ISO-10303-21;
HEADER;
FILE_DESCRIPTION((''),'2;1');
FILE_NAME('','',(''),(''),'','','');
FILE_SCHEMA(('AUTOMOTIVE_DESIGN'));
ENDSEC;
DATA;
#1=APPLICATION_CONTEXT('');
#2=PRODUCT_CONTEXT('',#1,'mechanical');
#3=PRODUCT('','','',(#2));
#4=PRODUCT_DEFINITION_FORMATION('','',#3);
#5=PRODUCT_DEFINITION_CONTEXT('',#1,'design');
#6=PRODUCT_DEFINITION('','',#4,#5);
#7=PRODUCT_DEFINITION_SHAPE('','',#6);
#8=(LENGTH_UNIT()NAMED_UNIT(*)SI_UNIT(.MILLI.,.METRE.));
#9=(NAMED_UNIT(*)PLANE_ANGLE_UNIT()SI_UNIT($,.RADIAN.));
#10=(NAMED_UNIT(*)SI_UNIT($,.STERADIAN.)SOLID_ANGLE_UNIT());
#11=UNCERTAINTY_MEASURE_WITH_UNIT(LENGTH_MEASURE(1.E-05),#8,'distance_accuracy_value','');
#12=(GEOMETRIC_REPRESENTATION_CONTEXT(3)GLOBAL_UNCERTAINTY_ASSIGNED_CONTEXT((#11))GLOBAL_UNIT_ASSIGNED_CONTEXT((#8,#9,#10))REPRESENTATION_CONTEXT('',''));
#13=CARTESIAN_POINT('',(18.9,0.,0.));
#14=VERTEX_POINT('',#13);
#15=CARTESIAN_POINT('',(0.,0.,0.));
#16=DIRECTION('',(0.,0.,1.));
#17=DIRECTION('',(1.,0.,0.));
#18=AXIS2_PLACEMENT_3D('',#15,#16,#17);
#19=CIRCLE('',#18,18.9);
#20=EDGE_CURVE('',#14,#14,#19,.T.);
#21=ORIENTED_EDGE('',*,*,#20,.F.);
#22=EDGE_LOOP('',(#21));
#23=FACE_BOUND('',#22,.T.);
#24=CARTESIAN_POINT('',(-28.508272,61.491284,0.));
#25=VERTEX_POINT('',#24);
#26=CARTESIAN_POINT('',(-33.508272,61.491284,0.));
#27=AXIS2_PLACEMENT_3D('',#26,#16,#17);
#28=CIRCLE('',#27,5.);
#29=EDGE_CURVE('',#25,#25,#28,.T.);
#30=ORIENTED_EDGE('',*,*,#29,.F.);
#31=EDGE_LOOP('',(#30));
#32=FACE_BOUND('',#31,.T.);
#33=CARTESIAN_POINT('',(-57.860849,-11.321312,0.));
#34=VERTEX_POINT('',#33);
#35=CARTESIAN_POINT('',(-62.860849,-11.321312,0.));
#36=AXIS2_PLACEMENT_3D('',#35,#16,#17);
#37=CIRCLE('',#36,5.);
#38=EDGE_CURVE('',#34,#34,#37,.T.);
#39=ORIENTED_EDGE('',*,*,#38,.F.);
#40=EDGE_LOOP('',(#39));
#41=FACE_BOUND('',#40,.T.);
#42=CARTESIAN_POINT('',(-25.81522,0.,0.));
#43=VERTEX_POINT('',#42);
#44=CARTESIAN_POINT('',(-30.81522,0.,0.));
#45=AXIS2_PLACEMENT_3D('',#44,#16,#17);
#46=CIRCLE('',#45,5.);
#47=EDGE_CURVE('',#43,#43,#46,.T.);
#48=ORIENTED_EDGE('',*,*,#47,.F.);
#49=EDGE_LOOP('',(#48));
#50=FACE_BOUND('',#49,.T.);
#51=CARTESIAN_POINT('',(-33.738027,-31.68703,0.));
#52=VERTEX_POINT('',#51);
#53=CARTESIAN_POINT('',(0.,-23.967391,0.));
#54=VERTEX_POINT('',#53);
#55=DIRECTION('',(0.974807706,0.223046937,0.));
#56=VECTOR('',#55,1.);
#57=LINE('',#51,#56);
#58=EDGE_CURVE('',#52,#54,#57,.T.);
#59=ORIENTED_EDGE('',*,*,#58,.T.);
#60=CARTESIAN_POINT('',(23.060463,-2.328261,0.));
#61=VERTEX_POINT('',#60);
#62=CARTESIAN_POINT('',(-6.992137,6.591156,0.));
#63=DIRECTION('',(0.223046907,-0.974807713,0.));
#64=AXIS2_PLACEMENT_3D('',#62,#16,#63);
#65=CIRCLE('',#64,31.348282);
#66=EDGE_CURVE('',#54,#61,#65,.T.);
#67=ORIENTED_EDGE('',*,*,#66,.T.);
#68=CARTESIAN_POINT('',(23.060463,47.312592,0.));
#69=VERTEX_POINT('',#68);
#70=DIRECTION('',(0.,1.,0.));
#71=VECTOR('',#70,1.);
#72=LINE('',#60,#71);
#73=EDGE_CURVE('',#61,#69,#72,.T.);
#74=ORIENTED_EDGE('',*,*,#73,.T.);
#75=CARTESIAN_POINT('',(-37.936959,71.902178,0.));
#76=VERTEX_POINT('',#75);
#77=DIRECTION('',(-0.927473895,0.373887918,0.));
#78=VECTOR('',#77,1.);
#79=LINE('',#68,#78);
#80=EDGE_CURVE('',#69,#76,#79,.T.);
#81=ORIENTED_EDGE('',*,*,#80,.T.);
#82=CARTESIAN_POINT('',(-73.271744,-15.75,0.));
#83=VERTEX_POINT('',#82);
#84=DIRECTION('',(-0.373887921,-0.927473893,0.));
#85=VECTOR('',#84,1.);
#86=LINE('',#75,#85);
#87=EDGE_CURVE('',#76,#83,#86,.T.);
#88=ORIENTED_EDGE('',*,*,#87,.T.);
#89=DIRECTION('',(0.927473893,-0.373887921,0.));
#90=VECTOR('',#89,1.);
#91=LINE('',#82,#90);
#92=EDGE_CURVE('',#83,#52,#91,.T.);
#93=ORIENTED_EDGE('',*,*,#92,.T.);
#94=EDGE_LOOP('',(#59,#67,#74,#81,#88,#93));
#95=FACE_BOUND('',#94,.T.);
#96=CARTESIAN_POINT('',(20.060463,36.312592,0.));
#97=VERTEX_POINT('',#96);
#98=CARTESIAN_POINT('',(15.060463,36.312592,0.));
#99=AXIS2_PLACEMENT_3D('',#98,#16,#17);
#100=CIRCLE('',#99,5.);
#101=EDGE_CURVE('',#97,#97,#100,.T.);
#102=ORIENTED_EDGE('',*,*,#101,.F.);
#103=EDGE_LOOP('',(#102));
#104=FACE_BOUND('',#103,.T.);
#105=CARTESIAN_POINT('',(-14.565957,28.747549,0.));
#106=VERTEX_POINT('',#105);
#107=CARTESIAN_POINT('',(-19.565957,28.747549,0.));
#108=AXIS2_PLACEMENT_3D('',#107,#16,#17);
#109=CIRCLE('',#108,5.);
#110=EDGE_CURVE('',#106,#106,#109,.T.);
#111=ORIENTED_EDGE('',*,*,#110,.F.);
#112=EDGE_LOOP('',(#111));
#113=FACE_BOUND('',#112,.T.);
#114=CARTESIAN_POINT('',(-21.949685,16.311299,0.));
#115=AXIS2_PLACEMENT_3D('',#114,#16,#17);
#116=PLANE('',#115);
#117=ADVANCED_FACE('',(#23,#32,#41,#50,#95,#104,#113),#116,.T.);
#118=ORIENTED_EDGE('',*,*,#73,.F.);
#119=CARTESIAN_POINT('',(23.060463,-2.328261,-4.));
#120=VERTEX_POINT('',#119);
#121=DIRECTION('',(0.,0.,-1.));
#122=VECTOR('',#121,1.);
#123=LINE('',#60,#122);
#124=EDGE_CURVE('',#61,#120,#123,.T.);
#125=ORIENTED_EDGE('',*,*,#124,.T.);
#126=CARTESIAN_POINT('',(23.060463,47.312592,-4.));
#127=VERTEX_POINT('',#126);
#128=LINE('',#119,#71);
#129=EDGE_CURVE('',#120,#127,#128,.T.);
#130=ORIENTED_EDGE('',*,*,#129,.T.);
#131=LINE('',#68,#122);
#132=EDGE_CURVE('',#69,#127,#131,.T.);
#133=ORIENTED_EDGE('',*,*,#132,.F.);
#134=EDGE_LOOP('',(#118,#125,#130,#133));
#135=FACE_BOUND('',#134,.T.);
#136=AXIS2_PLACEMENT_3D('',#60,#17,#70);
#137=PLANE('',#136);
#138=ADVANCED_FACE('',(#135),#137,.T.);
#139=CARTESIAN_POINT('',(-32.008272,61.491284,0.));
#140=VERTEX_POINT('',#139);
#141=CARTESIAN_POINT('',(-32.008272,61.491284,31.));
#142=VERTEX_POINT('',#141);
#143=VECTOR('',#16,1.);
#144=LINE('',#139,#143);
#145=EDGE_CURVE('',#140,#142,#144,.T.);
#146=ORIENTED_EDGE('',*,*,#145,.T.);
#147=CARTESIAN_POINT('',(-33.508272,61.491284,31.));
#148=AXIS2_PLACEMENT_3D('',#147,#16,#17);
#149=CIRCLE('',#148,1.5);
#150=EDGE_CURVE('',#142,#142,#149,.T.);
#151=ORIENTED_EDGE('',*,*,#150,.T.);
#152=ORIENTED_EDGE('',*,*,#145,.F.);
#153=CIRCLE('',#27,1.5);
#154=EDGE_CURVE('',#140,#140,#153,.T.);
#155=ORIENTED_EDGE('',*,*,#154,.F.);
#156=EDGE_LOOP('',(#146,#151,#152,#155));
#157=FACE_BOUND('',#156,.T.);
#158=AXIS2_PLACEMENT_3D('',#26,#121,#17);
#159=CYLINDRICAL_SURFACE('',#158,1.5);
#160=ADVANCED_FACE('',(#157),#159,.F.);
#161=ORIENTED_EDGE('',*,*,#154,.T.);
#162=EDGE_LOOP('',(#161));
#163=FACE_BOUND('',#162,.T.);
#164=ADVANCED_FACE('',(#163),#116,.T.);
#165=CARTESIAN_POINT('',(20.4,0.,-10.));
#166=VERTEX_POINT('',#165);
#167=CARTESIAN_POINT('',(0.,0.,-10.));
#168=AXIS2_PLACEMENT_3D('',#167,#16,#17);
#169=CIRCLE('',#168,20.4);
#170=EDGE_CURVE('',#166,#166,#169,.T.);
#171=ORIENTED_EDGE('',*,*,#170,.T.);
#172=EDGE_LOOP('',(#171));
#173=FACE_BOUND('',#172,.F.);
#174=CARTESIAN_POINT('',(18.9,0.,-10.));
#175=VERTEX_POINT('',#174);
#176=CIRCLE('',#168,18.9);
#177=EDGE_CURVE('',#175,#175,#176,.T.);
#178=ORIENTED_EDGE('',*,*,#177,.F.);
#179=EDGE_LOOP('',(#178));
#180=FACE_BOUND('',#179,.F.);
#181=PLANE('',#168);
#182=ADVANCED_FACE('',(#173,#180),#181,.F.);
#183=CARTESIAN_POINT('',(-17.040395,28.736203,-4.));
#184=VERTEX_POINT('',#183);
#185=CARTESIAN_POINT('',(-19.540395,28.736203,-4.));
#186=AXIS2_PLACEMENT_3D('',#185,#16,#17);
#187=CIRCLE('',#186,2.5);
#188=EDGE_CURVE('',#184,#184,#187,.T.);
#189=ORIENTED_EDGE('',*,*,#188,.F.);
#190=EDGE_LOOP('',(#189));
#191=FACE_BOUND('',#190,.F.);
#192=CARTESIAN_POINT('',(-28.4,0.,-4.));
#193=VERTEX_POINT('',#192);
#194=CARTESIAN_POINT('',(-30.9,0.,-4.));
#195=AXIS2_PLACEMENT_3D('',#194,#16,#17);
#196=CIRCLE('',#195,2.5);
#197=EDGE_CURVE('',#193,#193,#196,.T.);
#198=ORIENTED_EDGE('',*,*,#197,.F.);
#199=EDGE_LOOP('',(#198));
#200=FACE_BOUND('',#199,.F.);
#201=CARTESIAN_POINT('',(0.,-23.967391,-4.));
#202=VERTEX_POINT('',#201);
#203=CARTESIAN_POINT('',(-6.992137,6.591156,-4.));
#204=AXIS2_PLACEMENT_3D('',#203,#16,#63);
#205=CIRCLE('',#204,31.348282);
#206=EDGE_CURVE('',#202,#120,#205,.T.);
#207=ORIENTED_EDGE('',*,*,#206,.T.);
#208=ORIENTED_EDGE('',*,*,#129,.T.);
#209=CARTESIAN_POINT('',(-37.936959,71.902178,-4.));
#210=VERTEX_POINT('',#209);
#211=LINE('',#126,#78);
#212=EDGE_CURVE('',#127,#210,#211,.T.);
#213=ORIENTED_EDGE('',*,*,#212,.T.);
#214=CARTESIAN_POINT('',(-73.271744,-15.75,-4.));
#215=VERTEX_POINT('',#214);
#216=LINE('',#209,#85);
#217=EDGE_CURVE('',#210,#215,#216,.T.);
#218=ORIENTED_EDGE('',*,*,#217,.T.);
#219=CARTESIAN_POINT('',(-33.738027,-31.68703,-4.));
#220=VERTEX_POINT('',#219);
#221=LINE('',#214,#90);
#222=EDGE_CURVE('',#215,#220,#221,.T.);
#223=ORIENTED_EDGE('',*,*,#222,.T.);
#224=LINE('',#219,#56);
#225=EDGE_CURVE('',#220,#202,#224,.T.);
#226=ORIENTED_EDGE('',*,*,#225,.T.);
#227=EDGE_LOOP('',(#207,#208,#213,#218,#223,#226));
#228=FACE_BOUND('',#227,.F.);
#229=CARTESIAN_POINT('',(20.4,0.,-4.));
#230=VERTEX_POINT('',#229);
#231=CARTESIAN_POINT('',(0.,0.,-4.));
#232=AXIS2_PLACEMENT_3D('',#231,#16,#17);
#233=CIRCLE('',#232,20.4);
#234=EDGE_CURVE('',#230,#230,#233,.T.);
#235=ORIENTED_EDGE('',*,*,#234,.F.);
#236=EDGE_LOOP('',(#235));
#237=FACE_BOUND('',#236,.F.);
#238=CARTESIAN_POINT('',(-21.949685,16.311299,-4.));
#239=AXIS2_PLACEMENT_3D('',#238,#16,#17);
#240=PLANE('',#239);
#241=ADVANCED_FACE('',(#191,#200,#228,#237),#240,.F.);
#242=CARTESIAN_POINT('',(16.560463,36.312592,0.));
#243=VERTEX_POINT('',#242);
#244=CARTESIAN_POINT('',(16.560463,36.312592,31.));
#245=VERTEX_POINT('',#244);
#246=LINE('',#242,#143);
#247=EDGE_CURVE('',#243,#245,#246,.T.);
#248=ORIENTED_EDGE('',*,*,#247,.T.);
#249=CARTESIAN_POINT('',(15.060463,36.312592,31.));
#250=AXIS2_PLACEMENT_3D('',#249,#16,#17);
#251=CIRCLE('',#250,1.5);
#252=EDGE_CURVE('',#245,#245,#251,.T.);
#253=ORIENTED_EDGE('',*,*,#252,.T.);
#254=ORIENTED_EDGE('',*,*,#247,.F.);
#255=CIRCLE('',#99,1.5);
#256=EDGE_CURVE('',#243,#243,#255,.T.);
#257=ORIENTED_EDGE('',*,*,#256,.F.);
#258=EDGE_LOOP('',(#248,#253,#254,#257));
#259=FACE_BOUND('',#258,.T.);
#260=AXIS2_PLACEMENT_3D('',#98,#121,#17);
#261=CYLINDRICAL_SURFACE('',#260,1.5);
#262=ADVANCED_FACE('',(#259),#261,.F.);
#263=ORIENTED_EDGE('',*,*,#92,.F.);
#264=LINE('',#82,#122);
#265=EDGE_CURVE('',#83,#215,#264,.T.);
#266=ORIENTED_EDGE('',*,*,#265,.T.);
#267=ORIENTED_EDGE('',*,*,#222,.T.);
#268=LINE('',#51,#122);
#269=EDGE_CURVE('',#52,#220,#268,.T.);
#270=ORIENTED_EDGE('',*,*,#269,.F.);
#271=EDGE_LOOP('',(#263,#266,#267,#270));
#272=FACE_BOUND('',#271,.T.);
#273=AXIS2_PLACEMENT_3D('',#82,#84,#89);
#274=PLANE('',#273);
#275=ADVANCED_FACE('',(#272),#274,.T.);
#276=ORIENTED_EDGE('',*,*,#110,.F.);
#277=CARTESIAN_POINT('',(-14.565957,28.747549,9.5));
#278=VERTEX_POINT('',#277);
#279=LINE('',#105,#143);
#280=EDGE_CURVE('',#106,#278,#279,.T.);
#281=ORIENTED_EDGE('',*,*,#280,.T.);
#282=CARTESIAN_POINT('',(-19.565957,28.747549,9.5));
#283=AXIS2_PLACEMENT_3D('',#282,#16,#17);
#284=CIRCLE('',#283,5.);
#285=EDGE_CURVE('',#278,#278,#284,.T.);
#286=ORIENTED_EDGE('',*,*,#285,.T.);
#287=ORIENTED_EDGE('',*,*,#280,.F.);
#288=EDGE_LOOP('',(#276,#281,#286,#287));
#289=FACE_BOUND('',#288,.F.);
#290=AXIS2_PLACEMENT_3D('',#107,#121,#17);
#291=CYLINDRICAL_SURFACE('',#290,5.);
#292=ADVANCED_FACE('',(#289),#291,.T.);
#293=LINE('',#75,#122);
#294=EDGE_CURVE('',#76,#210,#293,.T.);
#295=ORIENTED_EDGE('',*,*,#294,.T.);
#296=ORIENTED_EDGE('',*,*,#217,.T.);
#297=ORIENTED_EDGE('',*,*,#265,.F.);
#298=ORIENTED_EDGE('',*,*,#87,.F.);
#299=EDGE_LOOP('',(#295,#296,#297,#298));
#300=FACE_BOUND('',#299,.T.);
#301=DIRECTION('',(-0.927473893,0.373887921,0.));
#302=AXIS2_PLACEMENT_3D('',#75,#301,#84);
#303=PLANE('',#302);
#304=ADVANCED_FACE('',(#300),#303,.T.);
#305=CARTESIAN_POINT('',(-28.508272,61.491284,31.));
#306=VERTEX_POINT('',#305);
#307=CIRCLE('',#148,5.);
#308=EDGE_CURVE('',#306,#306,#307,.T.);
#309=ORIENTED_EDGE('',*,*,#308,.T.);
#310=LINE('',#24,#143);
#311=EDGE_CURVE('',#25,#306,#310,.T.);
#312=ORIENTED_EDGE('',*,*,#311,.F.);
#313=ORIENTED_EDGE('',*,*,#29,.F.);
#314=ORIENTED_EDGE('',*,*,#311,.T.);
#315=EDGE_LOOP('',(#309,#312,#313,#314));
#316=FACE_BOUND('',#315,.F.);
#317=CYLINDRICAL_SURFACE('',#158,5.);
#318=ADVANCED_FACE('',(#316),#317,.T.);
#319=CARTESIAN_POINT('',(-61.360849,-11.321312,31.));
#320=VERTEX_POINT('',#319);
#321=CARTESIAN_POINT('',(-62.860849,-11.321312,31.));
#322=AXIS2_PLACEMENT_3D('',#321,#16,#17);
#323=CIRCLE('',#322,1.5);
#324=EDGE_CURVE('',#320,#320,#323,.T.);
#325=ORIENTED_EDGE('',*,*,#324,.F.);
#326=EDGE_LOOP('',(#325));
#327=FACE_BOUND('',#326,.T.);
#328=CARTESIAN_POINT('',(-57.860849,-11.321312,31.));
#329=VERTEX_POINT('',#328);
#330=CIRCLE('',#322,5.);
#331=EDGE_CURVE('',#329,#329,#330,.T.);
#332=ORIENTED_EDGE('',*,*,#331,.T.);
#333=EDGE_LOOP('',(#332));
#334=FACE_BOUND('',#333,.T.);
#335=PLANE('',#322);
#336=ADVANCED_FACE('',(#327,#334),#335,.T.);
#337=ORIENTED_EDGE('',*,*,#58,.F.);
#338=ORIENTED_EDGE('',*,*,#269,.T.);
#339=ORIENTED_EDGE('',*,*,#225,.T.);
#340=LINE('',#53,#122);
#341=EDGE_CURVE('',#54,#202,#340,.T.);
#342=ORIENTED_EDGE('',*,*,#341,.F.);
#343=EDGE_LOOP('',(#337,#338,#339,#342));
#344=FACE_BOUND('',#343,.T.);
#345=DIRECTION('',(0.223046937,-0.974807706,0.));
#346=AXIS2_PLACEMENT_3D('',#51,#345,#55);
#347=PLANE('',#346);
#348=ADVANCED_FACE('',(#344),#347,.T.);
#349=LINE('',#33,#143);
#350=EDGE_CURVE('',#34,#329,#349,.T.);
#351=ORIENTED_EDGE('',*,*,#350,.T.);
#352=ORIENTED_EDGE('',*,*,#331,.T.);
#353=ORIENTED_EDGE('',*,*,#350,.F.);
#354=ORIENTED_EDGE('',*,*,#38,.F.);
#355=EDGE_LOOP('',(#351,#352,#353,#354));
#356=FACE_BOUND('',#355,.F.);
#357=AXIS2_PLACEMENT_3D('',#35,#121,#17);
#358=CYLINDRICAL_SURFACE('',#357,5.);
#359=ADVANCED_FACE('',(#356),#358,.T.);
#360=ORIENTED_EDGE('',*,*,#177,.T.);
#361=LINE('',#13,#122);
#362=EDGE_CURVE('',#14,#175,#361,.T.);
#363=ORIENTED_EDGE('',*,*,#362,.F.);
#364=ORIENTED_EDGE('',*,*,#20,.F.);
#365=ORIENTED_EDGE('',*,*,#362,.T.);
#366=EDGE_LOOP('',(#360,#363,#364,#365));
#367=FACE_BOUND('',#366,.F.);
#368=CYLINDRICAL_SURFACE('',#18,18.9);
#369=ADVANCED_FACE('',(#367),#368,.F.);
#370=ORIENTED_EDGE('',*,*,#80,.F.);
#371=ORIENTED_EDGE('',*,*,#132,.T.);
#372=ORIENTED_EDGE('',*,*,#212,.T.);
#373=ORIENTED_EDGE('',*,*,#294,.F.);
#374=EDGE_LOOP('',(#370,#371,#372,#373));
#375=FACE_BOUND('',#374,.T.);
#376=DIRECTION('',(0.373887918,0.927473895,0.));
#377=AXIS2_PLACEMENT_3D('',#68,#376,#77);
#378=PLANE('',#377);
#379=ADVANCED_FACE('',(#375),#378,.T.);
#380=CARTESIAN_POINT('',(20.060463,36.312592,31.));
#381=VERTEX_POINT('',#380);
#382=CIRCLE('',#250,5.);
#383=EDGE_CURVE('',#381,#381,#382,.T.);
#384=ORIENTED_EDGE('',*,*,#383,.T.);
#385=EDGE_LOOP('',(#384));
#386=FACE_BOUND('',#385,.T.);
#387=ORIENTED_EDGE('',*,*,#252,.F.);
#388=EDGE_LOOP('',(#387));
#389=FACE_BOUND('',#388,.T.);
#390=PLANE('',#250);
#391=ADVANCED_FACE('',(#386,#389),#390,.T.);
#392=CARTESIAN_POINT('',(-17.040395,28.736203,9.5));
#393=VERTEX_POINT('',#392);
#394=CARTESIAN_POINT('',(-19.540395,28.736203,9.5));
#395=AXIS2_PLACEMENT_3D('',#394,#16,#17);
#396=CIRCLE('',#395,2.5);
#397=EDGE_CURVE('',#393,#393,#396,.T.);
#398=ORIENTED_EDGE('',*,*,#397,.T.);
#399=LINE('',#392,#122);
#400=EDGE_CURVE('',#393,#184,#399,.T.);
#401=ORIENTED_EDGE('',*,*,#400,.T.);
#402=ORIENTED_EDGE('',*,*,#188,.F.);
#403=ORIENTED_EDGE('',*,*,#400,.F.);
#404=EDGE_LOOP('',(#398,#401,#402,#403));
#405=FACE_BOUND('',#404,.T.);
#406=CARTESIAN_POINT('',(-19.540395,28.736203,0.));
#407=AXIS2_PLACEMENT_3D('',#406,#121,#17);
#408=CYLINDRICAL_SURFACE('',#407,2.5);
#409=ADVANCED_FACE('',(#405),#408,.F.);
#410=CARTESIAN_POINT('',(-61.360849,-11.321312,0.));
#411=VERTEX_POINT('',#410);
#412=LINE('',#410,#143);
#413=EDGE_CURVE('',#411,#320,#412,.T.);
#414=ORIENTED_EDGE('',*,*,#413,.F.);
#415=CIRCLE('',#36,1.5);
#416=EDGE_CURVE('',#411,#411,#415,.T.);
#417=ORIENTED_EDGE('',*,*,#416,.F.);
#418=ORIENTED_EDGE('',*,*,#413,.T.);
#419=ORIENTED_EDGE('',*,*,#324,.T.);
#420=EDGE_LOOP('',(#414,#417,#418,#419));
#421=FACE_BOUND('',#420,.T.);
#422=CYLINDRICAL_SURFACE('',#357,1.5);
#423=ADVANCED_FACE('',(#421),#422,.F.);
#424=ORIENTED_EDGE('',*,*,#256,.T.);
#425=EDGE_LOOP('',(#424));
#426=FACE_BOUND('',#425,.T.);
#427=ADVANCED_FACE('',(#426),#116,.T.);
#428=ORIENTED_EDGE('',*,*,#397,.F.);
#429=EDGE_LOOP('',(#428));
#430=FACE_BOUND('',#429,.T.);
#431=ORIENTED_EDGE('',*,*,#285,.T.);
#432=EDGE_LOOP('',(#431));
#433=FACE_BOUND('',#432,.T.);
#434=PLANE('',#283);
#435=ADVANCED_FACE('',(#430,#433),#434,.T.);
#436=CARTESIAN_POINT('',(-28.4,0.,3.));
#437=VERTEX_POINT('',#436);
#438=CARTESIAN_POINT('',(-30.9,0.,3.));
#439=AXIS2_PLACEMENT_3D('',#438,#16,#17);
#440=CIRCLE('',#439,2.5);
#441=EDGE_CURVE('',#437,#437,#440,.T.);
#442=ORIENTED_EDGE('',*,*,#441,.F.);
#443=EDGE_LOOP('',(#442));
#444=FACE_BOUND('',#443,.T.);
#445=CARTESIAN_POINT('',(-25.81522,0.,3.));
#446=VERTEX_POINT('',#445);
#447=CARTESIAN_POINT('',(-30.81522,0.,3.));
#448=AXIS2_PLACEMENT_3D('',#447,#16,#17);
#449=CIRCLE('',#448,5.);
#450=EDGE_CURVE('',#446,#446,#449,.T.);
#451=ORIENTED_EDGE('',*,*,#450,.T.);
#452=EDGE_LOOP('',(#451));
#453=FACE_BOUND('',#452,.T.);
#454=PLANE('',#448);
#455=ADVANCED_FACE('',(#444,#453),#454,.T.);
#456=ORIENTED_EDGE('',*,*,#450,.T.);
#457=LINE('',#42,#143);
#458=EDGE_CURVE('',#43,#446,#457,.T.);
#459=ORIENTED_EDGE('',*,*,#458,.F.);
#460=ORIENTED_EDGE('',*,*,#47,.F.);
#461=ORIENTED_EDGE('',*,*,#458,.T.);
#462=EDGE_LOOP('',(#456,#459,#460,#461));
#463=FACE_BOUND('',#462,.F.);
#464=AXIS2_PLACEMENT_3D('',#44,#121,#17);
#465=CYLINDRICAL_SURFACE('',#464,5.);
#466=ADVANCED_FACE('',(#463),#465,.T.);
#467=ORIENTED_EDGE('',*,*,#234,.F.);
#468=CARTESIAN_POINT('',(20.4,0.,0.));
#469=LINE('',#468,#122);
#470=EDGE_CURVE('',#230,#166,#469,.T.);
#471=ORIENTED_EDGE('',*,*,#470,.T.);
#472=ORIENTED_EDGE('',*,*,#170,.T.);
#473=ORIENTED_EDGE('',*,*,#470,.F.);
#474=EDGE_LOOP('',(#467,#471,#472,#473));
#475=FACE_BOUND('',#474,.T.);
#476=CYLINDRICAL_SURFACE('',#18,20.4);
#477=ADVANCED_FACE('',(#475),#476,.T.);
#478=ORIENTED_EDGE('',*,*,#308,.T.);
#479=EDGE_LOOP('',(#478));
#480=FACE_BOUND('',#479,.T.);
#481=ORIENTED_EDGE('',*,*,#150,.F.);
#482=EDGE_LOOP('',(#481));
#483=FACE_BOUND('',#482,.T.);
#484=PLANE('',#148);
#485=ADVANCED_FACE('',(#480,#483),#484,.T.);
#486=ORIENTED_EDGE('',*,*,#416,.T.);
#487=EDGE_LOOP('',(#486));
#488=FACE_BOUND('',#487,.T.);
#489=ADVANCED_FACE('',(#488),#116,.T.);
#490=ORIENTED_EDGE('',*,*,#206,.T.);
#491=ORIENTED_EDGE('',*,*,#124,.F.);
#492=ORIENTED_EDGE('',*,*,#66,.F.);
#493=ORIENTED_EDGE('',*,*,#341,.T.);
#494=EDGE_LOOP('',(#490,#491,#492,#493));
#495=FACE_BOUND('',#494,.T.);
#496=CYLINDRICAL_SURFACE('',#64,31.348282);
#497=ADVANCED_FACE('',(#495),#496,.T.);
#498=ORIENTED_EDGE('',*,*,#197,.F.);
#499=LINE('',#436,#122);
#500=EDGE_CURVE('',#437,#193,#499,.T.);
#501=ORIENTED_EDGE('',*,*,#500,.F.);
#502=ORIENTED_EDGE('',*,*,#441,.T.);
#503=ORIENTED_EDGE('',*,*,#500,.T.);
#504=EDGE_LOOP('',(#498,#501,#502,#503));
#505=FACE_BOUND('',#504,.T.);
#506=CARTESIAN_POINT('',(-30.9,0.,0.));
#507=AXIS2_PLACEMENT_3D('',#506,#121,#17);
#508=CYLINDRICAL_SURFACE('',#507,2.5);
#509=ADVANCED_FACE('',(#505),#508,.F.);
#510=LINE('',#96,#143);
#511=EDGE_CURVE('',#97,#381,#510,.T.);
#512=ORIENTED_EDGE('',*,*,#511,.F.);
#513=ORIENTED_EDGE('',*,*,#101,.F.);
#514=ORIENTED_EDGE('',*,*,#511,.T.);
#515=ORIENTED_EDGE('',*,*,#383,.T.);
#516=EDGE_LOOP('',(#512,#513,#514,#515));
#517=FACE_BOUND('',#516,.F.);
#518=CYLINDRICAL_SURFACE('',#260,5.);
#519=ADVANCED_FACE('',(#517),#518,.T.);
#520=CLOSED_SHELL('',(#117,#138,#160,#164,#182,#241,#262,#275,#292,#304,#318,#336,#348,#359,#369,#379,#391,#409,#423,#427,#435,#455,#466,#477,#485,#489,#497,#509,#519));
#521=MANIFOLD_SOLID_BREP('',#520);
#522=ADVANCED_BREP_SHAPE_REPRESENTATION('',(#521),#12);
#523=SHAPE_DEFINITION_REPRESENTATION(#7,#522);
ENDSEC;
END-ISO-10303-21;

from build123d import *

# Parameters (mm, degrees)
F0_R     = 20.4
F0_R_2   = 18.9
F1_DEPTH = 10
F0_R_3   = 2.5
F2_DEPTH = 4
F3_R     = 5
F3_R_2   = 2.5
F4_DEPTH = 3
F5_DEPTH = 9.5
F3_R_3   = 1.5
F6_DEPTH = 31


with BuildPart() as f1:
    # F0 (on Top) → F1 (new body)
    with BuildSketch(Plane.XY):
        Circle(F0_R)
        Circle(F0_R_2, mode=Mode.SUBTRACT)
    extrude(amount=-F1_DEPTH)

    # F0 (on Top) → F2 (join)
    with BuildSketch(Plane.XY):
        with BuildLine():
            Line((-37.936959, 71.902178), (-73.271744, -15.75))
            Line((-73.271744, -15.75), (-33.738027, -31.68703))
            Line((-33.738027, -31.68703), (0, -23.967391))
            ThreePointArc((0, -23.967391), (14.458763, -16.268714), (23.060463, -2.328261))
            Line((23.060463, -2.328261), (23.060463, 47.312592))
            Line((23.060463, 47.312592), (-37.936959, 71.902178))
        make_face()
        with Locations((-30.9, 0)):
            Circle(F0_R_3, mode=Mode.SUBTRACT)
        Circle(F0_R, mode=Mode.SUBTRACT)
        with Locations((-19.540395, 28.736203)):
            Circle(F0_R_3, mode=Mode.SUBTRACT)
    extrude(amount=-F2_DEPTH)

    # F3 (on face) → F4 (join)
    with BuildSketch(Plane.XY):
        with Locations((-30.81522, 0)):
            Circle(F3_R)
        with Locations((-30.9, 0)):
            Circle(F3_R_2, mode=Mode.SUBTRACT)
    extrude(amount=F4_DEPTH)

    # F3 (on face) → F5 (join)
    with BuildSketch(Plane.XY):
        with Locations((-19.565957, 28.747549)):
            Circle(F3_R)
        with Locations((-19.540395, 28.736203)):
            Circle(F3_R_2, mode=Mode.SUBTRACT)
    extrude(amount=F5_DEPTH)

    # F3 (on face) → F6 (join)
    with BuildSketch(Plane.XY):
        with Locations((15.060463, 36.312592)):
            Circle(F3_R)
        with Locations((15.060463, 36.312592)):
            Circle(F3_R_3, mode=Mode.SUBTRACT)
        with Locations((-33.508272, 61.491284)):
            Circle(F3_R)
        with Locations((-33.508272, 61.491284)):
            Circle(F3_R_3, mode=Mode.SUBTRACT)
        with Locations((-62.860849, -11.321312)):
            Circle(F3_R)
        with Locations((-62.860849, -11.321312)):
            Circle(F3_R_3, mode=Mode.SUBTRACT)
    extrude(amount=F6_DEPTH)


solid = f1.part
